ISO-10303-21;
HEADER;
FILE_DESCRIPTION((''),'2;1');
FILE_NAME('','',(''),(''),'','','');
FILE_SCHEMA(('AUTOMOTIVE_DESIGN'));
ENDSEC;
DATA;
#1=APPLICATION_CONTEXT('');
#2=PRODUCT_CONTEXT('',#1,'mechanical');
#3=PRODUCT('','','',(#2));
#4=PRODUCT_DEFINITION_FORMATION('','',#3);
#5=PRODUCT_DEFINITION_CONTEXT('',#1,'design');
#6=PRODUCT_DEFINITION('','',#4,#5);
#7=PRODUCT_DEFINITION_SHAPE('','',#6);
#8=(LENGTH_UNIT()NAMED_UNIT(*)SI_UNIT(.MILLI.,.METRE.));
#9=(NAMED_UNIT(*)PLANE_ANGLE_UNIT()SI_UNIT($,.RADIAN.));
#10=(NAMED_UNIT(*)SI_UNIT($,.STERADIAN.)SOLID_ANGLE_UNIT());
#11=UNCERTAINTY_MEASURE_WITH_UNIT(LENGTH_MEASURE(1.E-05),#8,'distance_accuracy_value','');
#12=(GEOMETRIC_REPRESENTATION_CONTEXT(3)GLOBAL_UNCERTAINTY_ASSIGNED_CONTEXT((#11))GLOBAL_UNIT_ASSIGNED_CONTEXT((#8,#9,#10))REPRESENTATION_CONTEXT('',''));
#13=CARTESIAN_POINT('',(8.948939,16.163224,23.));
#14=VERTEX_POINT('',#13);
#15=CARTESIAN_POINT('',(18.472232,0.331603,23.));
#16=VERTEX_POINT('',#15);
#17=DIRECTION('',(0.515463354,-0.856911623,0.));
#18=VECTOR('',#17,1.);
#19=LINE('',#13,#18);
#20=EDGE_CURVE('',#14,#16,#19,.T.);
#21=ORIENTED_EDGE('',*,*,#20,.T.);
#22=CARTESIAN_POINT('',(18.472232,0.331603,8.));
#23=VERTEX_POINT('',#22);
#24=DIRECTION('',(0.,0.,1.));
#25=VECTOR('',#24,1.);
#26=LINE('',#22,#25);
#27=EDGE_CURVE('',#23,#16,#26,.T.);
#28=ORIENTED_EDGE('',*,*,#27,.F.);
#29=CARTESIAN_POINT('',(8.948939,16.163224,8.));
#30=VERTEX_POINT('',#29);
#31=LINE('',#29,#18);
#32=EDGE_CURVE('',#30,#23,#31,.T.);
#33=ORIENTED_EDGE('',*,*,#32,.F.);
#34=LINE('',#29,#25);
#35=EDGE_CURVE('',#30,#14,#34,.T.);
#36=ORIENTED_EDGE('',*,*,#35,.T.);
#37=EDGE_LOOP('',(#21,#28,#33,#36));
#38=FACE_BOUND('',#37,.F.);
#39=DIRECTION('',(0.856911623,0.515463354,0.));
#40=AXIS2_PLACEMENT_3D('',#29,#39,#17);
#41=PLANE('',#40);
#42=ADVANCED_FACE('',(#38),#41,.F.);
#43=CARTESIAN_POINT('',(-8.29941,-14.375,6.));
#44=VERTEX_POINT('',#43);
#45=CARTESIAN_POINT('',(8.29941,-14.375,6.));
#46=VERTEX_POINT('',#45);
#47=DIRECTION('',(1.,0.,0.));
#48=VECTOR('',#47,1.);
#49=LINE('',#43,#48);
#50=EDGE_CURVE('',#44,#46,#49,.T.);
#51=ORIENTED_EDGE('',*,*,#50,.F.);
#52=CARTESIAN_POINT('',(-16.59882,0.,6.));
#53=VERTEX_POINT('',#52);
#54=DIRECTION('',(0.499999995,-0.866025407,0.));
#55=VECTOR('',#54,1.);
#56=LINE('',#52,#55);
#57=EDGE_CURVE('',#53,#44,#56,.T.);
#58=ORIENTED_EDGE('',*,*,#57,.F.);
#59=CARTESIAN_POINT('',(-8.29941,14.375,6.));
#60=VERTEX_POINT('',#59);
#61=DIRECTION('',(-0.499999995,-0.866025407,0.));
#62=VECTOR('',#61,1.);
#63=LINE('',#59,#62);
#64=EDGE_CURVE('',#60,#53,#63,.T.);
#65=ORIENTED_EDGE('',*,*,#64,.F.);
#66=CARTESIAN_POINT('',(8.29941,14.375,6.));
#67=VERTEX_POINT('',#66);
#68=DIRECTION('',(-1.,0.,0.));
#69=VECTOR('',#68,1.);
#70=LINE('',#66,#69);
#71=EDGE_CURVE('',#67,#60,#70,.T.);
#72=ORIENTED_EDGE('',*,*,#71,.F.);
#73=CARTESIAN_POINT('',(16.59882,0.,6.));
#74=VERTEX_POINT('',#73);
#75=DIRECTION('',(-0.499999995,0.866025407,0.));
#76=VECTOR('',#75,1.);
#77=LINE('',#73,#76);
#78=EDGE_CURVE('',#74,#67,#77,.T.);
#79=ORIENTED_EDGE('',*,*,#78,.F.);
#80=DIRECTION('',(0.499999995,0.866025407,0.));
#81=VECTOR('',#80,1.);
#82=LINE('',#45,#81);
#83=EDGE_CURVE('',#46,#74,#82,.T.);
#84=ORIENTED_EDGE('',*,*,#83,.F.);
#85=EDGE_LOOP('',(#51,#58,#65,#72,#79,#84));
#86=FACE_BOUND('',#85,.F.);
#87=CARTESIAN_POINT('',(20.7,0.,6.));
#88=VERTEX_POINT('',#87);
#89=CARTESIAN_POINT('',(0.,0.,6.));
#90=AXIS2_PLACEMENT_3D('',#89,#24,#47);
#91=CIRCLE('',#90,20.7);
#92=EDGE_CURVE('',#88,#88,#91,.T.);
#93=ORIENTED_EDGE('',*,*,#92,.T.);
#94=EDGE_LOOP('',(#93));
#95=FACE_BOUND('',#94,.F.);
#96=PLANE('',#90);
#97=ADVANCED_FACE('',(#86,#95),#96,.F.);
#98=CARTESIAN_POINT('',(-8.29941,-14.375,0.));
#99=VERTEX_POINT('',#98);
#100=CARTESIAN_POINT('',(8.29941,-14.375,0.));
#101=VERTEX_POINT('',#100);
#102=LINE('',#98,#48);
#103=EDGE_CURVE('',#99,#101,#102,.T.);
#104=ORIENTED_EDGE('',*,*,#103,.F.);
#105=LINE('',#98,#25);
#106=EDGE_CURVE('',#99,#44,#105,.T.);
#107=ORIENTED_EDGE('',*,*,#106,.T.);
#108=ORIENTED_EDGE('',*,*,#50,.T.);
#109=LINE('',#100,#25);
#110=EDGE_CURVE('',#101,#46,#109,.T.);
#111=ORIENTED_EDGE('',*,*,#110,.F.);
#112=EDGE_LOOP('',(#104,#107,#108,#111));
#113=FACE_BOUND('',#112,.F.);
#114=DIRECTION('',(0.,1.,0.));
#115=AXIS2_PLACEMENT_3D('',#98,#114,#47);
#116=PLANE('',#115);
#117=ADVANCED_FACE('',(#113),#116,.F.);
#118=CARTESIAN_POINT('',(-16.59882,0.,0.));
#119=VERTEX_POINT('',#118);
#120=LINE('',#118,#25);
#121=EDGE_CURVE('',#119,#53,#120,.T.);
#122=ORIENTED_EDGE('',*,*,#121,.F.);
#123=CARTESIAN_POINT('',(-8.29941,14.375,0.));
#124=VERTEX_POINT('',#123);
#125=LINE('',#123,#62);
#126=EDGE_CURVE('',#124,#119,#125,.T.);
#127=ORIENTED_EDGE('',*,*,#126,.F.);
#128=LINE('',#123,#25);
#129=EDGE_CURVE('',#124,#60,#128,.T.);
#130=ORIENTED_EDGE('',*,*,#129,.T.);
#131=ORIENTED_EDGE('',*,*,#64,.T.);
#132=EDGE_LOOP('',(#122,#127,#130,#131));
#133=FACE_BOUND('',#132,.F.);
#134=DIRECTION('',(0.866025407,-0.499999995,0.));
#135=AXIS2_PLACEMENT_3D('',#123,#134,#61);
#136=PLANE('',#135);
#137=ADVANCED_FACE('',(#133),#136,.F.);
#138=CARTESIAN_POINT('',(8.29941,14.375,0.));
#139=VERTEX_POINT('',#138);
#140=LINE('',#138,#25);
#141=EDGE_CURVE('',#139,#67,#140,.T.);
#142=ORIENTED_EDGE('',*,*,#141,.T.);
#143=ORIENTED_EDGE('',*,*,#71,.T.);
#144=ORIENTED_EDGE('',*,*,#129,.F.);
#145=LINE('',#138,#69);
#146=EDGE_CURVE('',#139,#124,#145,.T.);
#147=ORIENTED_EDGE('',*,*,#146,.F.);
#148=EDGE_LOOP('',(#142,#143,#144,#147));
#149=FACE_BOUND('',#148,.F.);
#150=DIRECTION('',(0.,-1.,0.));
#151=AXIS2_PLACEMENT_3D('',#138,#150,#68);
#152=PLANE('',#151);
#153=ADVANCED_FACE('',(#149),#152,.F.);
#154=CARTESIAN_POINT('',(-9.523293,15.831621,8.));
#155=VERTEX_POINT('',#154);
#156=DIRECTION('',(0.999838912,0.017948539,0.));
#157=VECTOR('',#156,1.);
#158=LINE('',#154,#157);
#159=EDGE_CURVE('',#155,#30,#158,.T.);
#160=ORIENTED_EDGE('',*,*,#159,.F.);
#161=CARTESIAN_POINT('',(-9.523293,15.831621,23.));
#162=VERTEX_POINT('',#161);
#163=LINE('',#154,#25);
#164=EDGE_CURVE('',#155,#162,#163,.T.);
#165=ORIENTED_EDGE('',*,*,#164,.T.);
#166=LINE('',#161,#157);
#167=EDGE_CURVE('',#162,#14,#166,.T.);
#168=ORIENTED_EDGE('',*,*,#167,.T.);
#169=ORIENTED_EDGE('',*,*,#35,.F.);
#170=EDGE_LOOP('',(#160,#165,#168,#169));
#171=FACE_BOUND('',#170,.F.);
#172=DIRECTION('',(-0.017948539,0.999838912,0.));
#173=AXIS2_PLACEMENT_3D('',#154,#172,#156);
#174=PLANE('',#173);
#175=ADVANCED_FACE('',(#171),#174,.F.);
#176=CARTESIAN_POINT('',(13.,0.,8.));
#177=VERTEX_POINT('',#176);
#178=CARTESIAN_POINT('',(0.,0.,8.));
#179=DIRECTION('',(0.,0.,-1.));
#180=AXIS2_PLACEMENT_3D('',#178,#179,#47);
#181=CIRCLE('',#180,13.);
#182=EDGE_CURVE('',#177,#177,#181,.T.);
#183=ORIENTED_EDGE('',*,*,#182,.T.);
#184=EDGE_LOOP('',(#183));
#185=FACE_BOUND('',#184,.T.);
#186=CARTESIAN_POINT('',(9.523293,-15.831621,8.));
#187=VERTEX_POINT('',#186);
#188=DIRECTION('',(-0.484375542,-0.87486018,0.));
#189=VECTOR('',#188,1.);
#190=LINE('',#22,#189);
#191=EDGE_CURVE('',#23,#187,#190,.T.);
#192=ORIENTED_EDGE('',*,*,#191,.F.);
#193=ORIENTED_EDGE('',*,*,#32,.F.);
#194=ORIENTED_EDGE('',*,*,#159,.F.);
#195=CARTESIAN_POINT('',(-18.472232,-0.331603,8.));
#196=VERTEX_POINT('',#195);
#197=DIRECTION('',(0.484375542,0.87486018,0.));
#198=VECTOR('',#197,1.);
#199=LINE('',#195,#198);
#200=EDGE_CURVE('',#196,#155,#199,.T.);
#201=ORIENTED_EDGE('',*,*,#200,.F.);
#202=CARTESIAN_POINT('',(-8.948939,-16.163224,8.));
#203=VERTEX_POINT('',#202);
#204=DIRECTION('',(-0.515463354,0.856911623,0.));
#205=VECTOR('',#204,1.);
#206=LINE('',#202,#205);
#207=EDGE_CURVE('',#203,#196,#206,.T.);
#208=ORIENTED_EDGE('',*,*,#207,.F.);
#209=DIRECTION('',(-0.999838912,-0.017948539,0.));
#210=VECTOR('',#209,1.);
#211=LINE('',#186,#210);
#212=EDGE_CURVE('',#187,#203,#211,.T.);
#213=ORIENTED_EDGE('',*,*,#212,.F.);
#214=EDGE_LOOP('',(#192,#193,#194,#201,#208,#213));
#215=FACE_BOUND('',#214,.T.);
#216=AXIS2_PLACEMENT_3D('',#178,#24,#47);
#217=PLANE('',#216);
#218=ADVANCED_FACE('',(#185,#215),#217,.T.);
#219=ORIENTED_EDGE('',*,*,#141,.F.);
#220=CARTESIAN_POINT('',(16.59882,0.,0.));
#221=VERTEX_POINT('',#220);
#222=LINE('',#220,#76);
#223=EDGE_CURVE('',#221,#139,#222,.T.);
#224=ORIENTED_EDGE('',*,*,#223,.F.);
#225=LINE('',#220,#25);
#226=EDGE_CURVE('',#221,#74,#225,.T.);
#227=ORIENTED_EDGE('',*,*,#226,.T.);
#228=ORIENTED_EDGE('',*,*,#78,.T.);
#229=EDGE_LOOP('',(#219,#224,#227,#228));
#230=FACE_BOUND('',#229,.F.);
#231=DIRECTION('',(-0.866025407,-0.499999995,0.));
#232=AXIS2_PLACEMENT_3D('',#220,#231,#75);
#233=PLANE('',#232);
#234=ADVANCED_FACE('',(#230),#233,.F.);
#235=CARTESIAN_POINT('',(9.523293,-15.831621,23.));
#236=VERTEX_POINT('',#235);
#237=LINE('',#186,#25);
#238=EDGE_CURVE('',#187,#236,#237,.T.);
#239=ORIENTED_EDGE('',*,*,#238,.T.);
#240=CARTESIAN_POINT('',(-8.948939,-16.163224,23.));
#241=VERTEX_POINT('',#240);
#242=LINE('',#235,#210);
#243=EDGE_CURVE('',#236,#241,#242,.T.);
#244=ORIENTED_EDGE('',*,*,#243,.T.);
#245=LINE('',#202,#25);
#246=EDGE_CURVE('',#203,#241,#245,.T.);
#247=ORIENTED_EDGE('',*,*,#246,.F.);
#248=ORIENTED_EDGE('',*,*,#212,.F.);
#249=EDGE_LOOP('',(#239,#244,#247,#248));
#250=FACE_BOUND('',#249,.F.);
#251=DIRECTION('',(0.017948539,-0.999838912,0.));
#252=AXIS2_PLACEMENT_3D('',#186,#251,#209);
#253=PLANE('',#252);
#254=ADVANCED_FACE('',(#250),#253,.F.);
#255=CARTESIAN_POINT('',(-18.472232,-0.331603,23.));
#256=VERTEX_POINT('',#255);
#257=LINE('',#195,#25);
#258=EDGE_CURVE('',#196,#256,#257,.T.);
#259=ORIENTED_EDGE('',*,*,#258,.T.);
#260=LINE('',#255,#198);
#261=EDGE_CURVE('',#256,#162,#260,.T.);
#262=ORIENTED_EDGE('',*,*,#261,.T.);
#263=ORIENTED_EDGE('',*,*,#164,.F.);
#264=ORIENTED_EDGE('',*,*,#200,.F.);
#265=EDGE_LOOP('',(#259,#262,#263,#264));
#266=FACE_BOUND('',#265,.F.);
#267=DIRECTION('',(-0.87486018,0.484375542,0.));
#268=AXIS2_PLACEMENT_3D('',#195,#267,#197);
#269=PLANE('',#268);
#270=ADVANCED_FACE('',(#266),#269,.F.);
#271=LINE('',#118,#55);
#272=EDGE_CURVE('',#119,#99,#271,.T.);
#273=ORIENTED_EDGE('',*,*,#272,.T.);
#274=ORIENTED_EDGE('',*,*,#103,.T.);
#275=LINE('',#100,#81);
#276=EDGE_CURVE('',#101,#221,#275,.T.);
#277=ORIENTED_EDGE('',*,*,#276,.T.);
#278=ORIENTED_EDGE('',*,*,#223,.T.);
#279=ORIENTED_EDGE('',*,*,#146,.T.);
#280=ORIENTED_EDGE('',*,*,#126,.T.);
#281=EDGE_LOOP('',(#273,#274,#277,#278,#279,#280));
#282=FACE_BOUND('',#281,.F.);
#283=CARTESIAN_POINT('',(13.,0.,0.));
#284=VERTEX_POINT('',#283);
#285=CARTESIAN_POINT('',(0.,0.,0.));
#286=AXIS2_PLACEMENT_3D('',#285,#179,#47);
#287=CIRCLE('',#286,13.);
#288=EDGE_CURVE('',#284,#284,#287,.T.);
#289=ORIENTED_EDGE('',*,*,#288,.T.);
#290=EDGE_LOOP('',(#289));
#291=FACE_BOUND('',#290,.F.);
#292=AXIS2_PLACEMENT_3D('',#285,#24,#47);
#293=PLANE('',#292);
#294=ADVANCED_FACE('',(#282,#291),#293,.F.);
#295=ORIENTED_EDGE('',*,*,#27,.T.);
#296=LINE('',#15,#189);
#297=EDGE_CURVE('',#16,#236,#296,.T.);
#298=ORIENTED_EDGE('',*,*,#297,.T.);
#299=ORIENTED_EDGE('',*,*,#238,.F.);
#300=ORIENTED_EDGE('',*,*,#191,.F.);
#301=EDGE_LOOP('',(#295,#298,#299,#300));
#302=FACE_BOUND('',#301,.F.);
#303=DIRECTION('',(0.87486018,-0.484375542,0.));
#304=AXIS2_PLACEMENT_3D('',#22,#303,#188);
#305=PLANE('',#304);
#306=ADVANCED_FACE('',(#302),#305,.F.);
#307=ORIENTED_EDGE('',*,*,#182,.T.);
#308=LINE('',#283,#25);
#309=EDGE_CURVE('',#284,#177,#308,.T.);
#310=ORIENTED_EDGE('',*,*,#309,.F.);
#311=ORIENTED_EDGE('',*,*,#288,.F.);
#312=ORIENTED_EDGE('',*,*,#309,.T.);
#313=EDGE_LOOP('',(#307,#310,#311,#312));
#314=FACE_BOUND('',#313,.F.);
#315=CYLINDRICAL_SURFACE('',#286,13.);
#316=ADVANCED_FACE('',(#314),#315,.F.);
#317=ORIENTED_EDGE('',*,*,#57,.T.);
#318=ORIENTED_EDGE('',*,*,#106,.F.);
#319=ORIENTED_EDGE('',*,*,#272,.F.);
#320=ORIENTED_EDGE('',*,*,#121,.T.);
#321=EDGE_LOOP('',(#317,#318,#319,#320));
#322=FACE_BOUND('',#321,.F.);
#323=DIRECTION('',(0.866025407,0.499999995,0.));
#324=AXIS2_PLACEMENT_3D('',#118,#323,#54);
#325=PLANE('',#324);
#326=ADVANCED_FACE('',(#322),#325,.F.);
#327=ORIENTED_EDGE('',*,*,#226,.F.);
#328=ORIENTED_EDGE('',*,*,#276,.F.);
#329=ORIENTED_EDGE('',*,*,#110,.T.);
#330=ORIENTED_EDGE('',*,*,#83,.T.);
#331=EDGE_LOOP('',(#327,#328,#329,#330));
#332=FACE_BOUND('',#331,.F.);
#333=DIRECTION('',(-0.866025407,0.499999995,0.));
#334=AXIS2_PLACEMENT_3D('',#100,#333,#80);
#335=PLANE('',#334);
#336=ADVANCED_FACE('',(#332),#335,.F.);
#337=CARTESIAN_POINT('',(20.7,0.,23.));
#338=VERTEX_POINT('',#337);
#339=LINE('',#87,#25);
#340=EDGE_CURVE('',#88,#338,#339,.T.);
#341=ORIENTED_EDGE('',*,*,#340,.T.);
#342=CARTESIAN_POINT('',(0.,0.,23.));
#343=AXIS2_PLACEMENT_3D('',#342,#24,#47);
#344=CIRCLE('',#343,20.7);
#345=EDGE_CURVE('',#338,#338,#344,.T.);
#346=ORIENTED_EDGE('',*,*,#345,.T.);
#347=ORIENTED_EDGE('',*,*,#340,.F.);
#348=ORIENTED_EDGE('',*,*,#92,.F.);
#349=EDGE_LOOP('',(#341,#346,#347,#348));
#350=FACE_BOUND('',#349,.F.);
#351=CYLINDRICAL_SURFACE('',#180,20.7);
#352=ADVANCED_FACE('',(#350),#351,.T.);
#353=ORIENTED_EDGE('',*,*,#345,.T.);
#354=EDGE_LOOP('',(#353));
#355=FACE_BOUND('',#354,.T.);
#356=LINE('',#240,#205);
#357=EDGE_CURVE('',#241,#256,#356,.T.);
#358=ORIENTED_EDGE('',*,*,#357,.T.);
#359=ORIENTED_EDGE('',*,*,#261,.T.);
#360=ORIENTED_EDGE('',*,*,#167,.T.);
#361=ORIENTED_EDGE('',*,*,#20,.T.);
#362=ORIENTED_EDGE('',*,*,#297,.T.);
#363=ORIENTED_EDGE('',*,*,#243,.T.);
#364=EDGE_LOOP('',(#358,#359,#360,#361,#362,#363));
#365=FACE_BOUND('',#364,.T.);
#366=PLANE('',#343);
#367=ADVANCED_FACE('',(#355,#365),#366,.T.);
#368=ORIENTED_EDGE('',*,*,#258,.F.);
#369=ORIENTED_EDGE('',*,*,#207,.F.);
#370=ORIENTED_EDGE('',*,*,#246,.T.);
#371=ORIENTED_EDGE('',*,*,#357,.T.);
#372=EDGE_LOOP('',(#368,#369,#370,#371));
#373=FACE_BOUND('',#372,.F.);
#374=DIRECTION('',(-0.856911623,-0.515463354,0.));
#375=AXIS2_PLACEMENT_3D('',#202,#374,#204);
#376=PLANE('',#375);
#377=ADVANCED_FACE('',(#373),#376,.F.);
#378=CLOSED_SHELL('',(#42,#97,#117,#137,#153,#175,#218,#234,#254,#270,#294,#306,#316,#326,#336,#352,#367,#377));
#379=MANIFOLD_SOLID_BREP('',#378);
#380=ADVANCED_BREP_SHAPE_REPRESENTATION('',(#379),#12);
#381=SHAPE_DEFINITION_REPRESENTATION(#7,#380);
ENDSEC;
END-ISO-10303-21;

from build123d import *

# Parameters (mm, degrees)
F1_DEPTH = 6
F2_R     = 20.7
F3_DEPTH = 2
F4_R     = 20.7
F5_DEPTH = 15
F6_R     = 13
F7_DEPTH = 25


with BuildPart() as f1:
    # F0 (on Top) → F1 (new body)
    with BuildSketch(Plane.XY):
        Polygon((8.29941, 14.375), (-8.29941, 14.375), (-16.59882, 0), (-8.29941, -14.375), (8.29941, -14.375), (16.59882, 0), align=None)
    extrude(amount=F1_DEPTH)

    # F2 (on face) → F3 (join)
    with BuildSketch(Plane.XY.offset(6)):
        Circle(F2_R)
    extrude(amount=F3_DEPTH)

    # F4 (on face) → F5 (join)
    with BuildSketch(Plane.XY.offset(8)):
        Circle(F4_R)
        Polygon((-9.523293, 15.831621), (8.948939, 16.163224), (18.472232, 0.331603), (9.523293, -15.831621), (-8.948939, -16.163224), (-18.472232, -0.331603), align=None, mode=Mode.SUBTRACT)
    extrude(amount=F5_DEPTH)

    # F6 (on face) → F7 (cut)
    with BuildSketch(Plane(origin=(0, 0, 0), x_dir=(1, 0, 0), z_dir=(0, 0, -1))):
        Circle(F6_R)
    extrude(amount=-F7_DEPTH, mode=Mode.SUBTRACT)


solid = f1.part
